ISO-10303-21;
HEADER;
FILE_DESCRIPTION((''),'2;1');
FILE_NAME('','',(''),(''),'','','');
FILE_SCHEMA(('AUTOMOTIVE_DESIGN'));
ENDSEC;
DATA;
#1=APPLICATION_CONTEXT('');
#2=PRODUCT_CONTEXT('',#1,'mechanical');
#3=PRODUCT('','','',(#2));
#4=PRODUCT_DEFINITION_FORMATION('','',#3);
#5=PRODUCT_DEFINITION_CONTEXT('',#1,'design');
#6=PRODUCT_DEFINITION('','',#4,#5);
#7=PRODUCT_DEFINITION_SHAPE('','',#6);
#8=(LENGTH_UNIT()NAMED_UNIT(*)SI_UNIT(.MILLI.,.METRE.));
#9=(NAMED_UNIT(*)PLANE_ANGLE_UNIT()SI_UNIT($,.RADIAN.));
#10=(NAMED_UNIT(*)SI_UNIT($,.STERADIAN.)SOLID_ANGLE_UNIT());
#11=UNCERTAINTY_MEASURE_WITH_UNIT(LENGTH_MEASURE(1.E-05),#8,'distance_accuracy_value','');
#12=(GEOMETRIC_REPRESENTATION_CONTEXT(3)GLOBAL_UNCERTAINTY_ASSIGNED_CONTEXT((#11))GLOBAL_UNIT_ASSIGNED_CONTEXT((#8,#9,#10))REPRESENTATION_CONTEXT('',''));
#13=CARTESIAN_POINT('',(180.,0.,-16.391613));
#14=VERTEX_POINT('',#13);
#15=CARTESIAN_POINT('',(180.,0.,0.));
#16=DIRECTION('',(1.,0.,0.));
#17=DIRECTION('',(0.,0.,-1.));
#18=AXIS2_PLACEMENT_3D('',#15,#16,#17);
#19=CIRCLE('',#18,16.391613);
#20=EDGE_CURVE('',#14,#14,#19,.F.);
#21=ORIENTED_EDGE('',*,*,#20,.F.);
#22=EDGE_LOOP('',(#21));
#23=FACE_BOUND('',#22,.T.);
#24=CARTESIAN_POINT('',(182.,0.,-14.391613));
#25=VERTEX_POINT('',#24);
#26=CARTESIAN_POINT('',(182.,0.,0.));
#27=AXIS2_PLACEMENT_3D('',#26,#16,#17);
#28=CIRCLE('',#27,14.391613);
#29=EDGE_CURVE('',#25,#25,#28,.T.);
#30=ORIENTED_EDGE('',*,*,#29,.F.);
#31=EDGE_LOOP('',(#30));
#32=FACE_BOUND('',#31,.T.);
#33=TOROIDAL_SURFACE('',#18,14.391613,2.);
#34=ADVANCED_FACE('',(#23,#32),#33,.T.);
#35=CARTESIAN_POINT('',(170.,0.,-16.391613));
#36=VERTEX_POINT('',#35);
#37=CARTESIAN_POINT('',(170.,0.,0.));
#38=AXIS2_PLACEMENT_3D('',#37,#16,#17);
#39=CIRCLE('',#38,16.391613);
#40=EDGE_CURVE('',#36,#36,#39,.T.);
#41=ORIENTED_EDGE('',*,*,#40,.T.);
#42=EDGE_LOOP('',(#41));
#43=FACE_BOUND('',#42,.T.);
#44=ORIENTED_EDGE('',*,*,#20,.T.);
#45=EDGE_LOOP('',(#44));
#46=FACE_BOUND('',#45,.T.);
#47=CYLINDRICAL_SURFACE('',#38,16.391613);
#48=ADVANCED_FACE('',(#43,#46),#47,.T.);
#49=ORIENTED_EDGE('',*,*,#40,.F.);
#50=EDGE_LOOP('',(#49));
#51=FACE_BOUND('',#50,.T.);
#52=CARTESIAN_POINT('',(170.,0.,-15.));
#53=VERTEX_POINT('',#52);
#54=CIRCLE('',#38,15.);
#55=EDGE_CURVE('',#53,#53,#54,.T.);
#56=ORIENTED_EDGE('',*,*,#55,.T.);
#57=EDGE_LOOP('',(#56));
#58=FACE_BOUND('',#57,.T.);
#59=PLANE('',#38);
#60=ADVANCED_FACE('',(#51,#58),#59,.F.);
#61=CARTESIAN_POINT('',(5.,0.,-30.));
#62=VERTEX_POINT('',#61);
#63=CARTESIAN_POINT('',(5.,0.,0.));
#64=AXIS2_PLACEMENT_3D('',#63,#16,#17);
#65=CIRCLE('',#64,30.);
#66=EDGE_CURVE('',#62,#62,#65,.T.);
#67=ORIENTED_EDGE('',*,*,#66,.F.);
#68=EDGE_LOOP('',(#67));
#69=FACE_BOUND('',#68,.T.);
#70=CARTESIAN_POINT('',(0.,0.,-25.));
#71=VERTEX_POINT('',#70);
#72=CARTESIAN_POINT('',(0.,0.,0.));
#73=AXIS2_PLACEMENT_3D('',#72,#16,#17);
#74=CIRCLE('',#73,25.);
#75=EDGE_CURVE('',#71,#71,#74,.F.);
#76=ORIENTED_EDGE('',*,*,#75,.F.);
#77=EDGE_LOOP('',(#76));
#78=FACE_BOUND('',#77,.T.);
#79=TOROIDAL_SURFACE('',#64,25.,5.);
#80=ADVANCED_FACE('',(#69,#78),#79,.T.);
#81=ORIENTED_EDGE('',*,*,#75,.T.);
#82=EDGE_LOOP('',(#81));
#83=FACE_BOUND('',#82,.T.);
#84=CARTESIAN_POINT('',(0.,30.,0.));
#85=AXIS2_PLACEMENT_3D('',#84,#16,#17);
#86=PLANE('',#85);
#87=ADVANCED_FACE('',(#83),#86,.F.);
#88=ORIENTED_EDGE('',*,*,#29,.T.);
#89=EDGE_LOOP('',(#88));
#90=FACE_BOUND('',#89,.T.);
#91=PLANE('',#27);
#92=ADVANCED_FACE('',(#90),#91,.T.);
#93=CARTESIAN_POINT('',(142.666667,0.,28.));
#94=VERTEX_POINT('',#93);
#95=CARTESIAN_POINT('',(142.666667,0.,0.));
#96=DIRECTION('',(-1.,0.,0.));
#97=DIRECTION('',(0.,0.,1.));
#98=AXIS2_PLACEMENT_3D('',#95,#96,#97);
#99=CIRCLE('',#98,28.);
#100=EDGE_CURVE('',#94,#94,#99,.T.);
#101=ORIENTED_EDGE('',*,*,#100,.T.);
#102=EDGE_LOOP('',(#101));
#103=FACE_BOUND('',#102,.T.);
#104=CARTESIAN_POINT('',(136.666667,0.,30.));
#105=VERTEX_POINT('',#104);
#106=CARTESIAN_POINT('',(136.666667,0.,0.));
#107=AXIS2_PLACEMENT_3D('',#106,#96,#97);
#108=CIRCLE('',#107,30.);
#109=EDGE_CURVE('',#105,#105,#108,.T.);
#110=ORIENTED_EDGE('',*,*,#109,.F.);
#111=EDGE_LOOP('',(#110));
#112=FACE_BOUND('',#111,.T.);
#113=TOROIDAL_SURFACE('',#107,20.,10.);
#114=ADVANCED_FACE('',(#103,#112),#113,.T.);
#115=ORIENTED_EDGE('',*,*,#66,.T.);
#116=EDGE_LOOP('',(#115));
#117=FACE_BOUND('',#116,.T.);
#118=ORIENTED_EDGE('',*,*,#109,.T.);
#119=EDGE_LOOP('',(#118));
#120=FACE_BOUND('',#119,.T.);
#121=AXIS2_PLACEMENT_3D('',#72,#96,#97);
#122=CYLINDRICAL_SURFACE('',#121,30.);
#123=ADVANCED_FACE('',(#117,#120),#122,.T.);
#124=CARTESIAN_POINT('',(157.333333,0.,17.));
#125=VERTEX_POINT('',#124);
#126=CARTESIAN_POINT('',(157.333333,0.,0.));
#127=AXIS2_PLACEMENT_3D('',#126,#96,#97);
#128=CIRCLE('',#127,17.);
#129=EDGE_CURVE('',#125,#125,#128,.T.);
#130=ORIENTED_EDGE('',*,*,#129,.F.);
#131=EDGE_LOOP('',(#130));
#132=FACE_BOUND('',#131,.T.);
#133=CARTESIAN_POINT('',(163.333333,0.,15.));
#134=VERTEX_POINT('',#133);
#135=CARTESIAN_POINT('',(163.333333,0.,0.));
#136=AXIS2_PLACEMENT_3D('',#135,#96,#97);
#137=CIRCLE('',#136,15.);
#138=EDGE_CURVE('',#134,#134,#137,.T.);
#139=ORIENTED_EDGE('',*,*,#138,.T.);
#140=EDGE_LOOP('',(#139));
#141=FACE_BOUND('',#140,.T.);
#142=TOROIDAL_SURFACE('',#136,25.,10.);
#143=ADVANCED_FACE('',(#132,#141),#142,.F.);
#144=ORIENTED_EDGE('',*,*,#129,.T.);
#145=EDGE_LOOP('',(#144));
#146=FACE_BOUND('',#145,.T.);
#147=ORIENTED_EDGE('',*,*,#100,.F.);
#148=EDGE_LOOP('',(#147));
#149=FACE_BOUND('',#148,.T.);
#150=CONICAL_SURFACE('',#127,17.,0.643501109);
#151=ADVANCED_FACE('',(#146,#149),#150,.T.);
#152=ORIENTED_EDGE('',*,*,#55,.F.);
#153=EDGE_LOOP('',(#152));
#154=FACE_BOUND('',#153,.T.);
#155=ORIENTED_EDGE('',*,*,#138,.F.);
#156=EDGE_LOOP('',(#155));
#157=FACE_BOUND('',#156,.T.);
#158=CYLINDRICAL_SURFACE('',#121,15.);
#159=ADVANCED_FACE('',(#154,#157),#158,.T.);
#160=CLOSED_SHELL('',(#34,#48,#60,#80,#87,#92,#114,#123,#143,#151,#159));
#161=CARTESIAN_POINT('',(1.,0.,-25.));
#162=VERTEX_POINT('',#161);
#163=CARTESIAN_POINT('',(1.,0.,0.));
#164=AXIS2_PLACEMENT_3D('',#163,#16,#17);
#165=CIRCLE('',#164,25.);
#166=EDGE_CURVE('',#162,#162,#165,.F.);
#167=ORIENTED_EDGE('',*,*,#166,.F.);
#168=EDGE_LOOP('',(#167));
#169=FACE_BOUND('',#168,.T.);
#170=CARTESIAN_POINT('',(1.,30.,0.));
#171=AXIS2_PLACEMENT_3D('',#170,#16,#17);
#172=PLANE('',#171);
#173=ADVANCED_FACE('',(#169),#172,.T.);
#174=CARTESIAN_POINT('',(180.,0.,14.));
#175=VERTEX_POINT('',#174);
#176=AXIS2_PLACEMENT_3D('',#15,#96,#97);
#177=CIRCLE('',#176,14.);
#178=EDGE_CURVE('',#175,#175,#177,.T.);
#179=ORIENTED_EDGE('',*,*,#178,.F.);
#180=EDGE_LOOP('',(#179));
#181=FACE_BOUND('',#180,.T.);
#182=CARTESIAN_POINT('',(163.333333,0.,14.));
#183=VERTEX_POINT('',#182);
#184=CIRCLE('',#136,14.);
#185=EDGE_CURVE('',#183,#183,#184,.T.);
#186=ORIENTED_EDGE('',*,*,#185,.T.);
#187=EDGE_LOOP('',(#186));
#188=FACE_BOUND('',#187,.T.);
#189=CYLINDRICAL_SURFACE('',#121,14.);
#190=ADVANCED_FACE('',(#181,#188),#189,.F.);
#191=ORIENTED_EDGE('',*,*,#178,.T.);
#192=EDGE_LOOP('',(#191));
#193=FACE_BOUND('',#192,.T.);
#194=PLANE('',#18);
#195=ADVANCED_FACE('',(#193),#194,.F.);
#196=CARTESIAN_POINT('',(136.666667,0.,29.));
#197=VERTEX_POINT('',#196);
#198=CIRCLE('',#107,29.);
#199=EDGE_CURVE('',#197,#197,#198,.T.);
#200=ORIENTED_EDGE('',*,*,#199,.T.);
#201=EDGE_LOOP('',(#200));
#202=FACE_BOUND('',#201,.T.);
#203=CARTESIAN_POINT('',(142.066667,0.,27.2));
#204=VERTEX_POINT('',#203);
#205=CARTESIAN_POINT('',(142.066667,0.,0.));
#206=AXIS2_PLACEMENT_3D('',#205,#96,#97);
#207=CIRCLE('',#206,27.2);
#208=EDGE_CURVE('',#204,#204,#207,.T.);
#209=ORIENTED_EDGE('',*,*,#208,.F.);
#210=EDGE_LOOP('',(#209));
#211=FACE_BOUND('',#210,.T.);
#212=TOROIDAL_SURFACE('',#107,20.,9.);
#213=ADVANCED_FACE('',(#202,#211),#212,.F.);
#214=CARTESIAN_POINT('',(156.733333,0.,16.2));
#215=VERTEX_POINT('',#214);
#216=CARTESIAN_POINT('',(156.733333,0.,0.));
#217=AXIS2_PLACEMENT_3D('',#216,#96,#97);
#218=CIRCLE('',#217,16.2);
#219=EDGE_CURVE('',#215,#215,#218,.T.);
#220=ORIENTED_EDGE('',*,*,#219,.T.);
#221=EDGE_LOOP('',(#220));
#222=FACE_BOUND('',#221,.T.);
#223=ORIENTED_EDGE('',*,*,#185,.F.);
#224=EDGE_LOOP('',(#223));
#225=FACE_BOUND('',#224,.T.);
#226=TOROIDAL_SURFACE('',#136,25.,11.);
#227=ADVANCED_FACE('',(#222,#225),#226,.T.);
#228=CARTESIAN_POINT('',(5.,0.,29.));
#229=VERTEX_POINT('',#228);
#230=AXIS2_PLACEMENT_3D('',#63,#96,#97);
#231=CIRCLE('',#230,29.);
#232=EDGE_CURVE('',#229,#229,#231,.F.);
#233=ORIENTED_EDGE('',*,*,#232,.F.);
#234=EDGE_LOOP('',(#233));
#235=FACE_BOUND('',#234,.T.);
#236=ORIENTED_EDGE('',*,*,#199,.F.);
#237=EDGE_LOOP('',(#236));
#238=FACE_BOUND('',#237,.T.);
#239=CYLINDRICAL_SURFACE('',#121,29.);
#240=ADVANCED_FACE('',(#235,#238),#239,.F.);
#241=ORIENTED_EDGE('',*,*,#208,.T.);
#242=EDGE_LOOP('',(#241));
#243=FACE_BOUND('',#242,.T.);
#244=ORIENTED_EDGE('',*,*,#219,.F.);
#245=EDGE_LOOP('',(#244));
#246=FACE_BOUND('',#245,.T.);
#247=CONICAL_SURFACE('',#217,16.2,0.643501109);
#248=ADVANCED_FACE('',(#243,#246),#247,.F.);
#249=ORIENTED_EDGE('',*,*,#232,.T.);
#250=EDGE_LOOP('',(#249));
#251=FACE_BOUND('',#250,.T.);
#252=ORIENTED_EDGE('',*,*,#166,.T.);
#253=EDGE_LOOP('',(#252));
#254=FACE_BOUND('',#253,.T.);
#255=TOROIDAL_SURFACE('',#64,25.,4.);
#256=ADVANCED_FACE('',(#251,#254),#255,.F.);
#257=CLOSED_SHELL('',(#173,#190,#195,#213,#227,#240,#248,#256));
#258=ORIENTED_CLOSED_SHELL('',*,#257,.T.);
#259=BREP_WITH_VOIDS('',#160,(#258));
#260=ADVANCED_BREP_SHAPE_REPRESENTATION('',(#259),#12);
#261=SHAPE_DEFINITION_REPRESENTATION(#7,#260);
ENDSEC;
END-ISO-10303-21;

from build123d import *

# Parameters (mm, degrees)
FILLET_1_R      = 5
SHELL_1_T       = -1
EXTRUDE_START   = -10
SKETCH_2_R      = 16.391613339
SKETCH_2_R_2    = 15
EXTRUDE_1_DEPTH = 10
SKETCH_3_R      = 16.391613339
EXTRUDE_2_DEPTH = 2
FILLET_2_R      = 2


with BuildPart() as part:
    # 草图1 → 旋转1 (revolve)
    with BuildSketch(Plane.XY, mode=Mode.PRIVATE) as revolve_1_sk:
        with BuildLine():
            Line((180, 15), (163.333333333, 15))
            ThreePointArc((163.333333333, 15), (160.171055673, 15.513167019), (157.333333333, 17))
            Line((157.333333333, 17), (142.666666667, 28))
            ThreePointArc((142.666666667, 28), (139.828944327, 29.486832981), (136.666666667, 30))
            Line((136.666666667, 30), (0, 30))
            Line((0, 30), (0, 0))
            Line((0, 0), (180, 0))
            Line((180, 0), (180, 15))
        make_face()
    revolve(revolve_1_sk.sketch.rotate(Axis((0, 0, 0), (1, 0, 0)), 90), axis=Axis((0, 0, 0), (1, 0, 0)))

    # 圆角1
    fillet_1_edges = [part.edges().sort_by_distance(p)[0] for p in [
        (0, 0, -30),
    ]]
    fillet(fillet_1_edges, radius=FILLET_1_R)

    # 抽壳1
    shell_1_openings = [part.faces().sort_by_distance(p)[0] for p in [
        (180, 0, 0),
    ]]
    offset(amount=SHELL_1_T, openings=shell_1_openings, kind=Kind.INTERSECTION)

    # 草图2 → 凸台-拉伸1 (add)
    with BuildSketch(Plane(origin=(180, 0, 0), x_dir=(0, 0, -1), z_dir=(1, 0, 0)).offset(EXTRUDE_START)):
        Circle(SKETCH_2_R)
        with Locations(Location((0, 0, 0), (0, 0, 180))):
            Circle(SKETCH_2_R_2, mode=Mode.SUBTRACT)
    extrude(amount=EXTRUDE_1_DEPTH)

    # 草图3 → 凸台-拉伸2 (add)
    with BuildSketch(Plane(origin=(180, 0, 0), x_dir=(0, 0, -1), z_dir=(1, 0, 0))):
        Circle(SKETCH_3_R)
    extrude(amount=EXTRUDE_2_DEPTH)

    # 圆角2
    fillet_2_edges = [part.edges().sort_by_distance(p)[0] for p in [
        (182, 0, 16.391613339),
    ]]
    fillet(fillet_2_edges, radius=FILLET_2_R)


solid = part.part
